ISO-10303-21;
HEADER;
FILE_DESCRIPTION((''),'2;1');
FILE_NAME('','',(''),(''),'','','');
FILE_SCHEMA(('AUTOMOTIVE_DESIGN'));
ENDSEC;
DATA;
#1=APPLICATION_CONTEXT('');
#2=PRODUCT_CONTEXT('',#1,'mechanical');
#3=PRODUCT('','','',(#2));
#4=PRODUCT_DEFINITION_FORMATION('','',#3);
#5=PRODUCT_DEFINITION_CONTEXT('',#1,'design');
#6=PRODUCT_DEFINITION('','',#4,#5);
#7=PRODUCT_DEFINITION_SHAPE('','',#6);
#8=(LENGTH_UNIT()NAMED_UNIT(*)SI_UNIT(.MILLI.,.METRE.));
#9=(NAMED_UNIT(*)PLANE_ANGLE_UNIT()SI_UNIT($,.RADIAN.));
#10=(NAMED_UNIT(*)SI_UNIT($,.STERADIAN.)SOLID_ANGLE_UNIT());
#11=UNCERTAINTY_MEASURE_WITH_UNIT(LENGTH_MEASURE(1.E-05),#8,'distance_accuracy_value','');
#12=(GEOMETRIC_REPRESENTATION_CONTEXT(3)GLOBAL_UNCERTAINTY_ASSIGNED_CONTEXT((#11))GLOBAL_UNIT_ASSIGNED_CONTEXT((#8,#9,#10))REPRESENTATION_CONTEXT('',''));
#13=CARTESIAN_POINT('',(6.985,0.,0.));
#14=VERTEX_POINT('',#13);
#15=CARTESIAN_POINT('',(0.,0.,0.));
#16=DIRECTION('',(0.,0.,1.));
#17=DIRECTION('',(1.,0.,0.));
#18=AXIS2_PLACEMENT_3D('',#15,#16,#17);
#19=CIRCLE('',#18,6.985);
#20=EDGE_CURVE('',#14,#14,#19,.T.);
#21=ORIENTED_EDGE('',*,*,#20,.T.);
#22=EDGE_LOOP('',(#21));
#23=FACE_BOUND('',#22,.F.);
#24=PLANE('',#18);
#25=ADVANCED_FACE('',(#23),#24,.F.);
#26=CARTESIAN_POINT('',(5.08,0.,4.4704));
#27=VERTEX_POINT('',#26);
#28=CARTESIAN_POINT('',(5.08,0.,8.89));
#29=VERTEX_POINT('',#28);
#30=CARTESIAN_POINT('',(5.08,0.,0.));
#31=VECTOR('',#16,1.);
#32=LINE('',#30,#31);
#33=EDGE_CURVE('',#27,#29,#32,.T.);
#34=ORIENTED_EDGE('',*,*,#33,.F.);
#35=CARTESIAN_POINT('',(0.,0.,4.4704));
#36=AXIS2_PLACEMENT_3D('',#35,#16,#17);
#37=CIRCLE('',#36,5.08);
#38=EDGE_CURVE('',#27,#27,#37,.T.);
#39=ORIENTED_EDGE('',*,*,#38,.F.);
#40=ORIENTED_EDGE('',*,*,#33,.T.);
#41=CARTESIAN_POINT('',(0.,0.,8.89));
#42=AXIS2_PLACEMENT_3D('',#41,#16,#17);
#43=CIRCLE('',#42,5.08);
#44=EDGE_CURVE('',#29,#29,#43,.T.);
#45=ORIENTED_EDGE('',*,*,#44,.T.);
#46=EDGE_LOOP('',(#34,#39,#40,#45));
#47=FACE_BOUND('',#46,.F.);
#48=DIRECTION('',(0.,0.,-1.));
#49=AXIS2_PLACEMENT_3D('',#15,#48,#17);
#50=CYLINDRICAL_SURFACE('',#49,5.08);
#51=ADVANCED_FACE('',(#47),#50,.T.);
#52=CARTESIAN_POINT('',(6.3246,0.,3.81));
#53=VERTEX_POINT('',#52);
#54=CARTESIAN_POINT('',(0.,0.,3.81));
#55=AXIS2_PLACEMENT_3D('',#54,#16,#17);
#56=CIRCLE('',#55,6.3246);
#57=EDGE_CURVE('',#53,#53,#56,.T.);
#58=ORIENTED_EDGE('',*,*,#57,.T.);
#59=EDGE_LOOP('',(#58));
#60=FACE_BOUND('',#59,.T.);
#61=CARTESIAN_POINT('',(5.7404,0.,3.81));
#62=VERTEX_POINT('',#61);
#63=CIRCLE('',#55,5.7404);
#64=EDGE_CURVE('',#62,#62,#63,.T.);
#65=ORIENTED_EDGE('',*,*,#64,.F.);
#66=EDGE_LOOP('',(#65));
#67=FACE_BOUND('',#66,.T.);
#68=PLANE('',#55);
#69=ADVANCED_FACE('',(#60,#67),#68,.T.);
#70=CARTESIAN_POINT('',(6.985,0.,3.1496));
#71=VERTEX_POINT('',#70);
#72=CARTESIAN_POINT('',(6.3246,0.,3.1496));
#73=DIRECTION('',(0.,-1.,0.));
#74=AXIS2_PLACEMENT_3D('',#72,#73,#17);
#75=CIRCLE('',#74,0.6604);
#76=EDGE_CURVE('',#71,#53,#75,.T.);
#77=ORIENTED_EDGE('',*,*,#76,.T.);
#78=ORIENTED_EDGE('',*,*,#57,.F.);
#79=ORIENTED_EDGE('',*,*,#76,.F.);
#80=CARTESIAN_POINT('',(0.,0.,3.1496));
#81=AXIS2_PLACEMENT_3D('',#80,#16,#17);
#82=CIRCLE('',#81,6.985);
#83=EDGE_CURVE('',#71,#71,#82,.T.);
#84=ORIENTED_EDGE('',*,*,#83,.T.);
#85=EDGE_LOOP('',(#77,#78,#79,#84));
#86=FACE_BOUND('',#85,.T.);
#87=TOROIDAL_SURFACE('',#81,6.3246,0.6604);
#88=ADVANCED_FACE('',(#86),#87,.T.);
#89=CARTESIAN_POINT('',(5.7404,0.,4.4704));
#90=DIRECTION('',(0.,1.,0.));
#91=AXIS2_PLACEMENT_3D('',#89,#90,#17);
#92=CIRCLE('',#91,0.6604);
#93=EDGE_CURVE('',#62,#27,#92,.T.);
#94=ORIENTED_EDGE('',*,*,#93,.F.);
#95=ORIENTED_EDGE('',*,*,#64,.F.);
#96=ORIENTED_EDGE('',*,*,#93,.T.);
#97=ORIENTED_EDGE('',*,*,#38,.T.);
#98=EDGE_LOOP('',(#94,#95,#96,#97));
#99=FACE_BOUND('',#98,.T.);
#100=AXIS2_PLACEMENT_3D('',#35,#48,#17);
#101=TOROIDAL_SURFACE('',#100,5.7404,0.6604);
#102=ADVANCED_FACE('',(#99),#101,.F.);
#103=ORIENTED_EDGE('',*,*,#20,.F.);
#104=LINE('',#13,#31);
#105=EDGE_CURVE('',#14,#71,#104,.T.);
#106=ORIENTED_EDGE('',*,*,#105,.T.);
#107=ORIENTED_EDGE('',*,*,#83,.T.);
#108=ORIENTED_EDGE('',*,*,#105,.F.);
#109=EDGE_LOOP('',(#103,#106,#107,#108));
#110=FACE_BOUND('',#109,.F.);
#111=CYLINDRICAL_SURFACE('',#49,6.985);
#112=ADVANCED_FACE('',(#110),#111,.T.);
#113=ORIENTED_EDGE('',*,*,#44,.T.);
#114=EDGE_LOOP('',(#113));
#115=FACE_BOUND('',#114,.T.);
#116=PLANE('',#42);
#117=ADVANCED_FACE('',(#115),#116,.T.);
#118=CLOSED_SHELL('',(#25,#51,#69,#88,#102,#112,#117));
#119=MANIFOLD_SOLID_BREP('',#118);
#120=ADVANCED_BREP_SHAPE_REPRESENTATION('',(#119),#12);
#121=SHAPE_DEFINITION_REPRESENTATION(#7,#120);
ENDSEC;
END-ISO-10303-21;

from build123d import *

# Parameters (mm, degrees)
F0_R     = 5.08
F1_DEPTH = 8.89
F0_R_2   = 6.985
F2_DEPTH = 3.81
F3_R     = 0.6604


with BuildPart() as f1:
    # F0 (on Top) → F1 (new body)
    with BuildSketch(Plane.XY):
        Circle(F0_R)
    extrude(amount=F1_DEPTH)

    # F0 (on Top) → F2 (join)
    with BuildSketch(Plane.XY):
        Circle(F0_R_2)
        Circle(F0_R, mode=Mode.SUBTRACT)
    extrude(amount=F2_DEPTH)

    # F3
    f3_edges = [f1.edges().sort_by_distance(p)[0] for p in [
        (-6.985, 0, 3.81),
        (-5.08, 0, 3.81),
    ]]
    fillet(f3_edges, radius=F3_R)


solid = f1.part
